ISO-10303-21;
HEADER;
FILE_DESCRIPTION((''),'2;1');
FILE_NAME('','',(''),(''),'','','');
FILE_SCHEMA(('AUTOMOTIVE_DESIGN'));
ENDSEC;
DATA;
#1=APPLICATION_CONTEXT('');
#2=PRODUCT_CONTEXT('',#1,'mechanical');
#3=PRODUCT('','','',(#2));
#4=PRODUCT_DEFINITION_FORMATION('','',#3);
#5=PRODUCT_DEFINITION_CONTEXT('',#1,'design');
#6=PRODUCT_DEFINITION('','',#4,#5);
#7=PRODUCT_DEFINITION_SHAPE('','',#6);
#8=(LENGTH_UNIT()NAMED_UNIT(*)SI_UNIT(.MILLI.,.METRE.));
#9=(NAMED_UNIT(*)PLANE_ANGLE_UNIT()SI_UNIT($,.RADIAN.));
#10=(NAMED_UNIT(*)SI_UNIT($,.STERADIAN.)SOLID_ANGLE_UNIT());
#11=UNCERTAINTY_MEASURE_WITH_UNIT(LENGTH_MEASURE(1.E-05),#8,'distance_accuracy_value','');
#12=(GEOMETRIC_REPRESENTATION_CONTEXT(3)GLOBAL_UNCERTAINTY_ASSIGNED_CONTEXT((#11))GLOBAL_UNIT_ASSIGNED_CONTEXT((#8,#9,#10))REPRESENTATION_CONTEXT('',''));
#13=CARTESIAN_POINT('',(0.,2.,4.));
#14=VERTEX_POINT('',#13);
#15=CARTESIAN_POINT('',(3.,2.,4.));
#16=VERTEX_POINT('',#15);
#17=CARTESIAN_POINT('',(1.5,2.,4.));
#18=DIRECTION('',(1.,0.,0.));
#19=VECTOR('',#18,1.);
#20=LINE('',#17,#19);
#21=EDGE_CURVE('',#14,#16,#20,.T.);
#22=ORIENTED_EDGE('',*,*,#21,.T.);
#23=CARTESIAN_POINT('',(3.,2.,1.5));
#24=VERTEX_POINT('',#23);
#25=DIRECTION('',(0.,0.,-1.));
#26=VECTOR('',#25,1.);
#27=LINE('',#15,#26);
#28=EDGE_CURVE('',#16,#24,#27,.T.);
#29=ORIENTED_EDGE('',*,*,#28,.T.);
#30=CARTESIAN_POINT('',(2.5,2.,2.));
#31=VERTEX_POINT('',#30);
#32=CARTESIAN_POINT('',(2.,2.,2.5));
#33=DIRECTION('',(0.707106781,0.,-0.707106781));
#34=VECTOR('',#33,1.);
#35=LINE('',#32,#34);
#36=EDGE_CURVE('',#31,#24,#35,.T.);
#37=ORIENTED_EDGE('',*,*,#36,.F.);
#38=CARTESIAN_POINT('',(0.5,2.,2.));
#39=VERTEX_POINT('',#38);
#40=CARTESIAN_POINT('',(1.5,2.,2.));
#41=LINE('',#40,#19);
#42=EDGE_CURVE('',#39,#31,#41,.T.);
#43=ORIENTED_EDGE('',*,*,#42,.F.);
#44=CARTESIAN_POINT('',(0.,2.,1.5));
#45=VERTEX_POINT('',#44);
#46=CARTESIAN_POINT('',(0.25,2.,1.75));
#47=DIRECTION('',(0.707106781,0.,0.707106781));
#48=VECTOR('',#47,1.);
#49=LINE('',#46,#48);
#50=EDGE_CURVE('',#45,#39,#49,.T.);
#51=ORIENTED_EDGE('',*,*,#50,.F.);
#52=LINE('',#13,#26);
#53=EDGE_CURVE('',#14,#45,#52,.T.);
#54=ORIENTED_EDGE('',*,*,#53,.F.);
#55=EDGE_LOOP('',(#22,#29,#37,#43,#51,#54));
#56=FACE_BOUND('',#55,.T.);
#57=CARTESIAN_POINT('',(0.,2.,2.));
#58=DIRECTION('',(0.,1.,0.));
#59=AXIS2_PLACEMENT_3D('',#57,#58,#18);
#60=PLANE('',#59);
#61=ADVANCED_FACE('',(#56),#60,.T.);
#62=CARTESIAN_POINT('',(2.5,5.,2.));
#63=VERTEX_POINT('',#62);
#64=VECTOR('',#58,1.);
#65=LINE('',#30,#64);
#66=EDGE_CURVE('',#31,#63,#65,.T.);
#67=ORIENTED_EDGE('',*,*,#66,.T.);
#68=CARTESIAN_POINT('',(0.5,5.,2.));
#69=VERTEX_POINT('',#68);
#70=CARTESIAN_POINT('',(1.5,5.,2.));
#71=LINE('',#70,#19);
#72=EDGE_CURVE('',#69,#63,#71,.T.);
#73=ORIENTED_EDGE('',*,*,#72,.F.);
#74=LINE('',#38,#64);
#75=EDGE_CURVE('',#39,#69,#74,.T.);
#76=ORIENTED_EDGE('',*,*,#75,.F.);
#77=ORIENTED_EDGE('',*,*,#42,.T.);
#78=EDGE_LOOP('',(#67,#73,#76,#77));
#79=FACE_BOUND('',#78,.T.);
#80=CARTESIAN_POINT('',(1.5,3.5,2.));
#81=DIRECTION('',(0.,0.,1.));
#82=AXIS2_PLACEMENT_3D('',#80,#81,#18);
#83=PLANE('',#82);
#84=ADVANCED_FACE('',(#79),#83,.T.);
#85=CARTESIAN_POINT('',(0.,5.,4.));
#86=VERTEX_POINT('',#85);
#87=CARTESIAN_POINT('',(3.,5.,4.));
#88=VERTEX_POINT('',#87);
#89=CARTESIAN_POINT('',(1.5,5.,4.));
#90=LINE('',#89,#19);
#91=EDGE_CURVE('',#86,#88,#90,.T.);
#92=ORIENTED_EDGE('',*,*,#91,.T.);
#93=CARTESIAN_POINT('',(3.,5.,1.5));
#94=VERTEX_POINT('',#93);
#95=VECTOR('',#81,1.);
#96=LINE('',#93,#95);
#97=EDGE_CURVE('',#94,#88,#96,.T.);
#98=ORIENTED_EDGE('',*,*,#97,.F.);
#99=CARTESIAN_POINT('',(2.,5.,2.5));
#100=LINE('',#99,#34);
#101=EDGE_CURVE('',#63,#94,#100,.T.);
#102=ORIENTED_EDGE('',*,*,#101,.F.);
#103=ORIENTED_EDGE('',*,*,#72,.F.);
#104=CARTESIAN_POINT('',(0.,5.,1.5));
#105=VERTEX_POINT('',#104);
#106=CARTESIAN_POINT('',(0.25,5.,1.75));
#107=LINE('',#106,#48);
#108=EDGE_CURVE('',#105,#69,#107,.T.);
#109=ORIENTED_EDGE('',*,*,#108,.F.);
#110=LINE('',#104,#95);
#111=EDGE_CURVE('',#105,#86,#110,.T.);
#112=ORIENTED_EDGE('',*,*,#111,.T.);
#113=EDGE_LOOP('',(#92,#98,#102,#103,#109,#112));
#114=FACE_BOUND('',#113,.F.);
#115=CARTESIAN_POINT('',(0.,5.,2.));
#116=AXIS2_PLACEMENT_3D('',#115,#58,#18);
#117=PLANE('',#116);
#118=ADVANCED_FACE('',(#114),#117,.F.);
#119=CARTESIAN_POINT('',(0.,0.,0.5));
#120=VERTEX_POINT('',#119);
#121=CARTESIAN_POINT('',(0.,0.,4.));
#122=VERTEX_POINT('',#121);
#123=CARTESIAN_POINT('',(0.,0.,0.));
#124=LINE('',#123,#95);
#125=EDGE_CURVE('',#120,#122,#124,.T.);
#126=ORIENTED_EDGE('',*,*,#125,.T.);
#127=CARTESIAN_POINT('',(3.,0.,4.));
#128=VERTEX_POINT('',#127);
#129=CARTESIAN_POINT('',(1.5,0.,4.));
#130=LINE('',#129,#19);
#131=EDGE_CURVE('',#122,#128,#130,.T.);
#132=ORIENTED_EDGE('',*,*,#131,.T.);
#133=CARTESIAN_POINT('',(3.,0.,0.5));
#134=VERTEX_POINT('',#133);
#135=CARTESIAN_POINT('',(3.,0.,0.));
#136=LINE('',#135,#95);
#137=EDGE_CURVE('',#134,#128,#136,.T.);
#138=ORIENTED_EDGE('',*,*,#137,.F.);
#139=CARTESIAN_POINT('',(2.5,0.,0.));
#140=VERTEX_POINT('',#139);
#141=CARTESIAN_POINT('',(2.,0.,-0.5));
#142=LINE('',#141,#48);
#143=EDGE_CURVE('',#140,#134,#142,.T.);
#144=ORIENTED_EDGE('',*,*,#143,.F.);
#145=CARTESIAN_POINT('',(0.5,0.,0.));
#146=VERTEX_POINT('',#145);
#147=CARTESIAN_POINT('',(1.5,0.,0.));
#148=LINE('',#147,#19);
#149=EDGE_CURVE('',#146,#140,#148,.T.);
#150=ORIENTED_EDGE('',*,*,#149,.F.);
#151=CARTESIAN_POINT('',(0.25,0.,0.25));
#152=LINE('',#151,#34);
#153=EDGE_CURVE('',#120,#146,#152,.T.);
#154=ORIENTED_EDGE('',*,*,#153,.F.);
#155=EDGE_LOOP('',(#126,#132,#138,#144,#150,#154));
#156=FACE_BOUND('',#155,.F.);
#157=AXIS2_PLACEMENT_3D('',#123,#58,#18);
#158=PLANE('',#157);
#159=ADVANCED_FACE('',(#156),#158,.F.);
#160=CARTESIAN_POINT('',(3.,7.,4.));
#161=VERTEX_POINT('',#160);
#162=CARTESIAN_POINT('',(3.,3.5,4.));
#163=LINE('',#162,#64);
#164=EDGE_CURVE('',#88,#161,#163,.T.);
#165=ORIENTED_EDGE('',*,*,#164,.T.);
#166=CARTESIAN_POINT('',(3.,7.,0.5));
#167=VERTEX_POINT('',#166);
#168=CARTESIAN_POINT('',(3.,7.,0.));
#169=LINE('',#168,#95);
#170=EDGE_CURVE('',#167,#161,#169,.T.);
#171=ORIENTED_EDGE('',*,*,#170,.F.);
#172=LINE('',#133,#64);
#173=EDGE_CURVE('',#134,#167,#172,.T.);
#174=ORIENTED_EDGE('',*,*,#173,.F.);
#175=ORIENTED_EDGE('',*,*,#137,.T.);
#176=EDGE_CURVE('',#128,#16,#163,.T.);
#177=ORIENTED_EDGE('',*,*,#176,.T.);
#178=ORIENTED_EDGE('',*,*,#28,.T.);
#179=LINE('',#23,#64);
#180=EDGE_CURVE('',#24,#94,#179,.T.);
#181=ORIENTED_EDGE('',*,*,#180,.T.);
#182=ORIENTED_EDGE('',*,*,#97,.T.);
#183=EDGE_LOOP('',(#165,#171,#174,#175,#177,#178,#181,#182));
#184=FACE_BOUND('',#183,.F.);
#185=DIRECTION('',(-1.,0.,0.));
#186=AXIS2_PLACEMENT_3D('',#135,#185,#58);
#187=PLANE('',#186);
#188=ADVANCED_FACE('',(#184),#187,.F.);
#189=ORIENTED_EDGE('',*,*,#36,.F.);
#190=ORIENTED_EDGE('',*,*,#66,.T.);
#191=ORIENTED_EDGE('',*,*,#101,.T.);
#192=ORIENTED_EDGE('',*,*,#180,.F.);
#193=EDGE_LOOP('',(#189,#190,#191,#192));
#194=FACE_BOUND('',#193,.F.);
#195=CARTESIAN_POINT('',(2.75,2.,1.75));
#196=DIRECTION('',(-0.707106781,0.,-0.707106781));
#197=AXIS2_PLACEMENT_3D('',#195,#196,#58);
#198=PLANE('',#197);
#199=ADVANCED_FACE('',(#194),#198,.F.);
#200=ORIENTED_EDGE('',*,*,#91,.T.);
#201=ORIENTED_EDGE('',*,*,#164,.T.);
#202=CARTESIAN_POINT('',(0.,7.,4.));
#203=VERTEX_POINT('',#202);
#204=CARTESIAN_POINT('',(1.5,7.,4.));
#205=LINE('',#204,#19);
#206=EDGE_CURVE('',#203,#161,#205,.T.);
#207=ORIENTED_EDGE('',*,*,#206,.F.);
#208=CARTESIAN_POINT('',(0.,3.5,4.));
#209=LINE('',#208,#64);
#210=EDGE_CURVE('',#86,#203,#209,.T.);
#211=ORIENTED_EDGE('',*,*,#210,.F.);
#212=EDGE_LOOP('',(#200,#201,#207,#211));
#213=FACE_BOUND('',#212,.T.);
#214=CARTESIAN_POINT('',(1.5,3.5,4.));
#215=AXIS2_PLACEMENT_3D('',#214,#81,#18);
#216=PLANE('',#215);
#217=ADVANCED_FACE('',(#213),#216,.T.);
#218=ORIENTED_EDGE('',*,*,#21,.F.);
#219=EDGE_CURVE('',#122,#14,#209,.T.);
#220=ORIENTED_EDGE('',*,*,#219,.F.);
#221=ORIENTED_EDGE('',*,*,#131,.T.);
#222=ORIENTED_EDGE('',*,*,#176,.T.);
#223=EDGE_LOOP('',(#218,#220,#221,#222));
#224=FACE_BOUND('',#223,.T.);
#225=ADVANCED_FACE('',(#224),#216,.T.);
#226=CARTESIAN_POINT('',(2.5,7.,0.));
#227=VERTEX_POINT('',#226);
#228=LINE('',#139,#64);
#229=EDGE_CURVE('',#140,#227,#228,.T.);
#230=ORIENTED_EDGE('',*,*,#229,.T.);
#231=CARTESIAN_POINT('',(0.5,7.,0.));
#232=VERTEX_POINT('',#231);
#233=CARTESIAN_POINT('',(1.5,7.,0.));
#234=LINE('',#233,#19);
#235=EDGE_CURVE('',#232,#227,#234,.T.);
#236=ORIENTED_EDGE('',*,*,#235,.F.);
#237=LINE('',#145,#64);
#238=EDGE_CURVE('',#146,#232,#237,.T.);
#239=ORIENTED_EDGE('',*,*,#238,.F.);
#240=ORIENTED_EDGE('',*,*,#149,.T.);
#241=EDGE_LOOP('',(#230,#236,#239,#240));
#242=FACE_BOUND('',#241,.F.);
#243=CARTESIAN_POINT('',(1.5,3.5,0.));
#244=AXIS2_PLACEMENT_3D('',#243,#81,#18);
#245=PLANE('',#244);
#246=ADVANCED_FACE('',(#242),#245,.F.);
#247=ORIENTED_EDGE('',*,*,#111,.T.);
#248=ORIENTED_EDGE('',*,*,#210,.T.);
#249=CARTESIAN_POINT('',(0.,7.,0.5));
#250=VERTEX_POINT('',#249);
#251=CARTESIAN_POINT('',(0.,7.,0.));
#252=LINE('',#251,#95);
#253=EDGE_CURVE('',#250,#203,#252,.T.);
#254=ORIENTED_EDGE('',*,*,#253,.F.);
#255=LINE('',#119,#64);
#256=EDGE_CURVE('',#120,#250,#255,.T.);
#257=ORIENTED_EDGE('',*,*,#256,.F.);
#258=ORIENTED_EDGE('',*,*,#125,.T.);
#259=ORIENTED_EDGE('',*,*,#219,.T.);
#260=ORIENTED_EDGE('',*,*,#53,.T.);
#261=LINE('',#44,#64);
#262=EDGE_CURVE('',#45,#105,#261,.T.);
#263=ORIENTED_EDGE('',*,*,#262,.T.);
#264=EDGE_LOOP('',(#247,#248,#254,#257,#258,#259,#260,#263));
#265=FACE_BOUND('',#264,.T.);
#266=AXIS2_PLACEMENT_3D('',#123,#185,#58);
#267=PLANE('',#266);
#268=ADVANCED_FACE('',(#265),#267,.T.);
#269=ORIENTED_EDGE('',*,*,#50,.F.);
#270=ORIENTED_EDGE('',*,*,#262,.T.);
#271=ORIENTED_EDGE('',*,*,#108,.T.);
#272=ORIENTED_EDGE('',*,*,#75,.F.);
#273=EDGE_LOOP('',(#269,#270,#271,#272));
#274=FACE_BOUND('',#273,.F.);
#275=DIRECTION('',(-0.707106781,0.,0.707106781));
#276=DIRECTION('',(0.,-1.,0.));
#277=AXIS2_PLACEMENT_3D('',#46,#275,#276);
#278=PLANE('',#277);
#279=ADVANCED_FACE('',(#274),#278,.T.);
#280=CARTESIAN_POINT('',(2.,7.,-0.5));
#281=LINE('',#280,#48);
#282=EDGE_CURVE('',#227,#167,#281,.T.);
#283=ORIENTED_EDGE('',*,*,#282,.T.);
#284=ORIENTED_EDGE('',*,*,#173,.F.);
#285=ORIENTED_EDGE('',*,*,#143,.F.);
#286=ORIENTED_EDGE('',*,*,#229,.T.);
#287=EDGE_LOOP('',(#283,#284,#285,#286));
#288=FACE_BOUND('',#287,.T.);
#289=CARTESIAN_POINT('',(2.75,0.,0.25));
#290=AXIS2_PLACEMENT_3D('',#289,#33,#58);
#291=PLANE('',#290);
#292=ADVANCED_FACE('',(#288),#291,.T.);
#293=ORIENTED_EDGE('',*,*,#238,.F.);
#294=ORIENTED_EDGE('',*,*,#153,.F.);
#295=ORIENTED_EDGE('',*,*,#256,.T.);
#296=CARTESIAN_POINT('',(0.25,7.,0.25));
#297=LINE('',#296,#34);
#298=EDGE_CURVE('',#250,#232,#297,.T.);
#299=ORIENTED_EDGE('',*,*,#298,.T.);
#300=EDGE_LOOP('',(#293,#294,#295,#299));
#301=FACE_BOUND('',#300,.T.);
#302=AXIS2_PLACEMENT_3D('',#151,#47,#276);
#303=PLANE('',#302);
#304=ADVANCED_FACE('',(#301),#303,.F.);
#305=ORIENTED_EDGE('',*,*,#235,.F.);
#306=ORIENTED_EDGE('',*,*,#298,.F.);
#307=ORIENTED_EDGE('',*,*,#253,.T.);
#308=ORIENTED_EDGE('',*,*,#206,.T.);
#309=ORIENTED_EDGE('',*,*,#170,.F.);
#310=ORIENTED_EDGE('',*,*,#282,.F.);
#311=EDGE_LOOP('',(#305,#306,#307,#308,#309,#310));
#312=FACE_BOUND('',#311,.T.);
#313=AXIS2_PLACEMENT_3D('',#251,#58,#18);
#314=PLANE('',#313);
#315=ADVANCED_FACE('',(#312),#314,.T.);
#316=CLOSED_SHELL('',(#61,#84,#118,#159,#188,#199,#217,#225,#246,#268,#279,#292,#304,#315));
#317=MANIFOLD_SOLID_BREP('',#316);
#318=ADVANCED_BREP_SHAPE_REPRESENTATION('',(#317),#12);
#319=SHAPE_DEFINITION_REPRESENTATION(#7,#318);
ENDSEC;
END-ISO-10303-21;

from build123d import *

# Parameters (mm, degrees)
BOX027_W              = 3
BOX027_H              = 3
BOX027_DEPTH          = 2
BOX026_W              = 3
BOX026_H              = 7
BOX026_DEPTH          = 4
CHAMFER001004003_SIZE = 0.5


with BuildPart() as cube027:
    # Box027 → Box027 (new body)
    with BuildSketch(Plane(origin=(0, 2, 2), x_dir=(1, 0, 0), z_dir=(0, 0, 1))):
        with Locations((1.5, 1.5)):
            Rectangle(BOX027_W, BOX027_H)
    extrude(amount=BOX027_DEPTH)


with BuildPart() as chamfer001004003:
    # Box026 → Box026 (new body)
    with BuildSketch(Plane.XY):
        with Locations((1.5, 3.5)):
            Rectangle(BOX026_W, BOX026_H)
    extrude(amount=BOX026_DEPTH)

    # Cut016010: cut Cube027
    add(cube027.part, mode=Mode.SUBTRACT)

    # Chamfer001004003
    chamfer001004003_edges = [chamfer001004003.edges().sort_by_distance(p)[0] for p in [
        (0, 3.5, 2),
        (0, 3.5, 0),
        (3, 3.5, 2),
        (3, 3.5, 0),
    ]]
    chamfer(chamfer001004003_edges, length=CHAMFER001004003_SIZE)


solid = chamfer001004003.part
